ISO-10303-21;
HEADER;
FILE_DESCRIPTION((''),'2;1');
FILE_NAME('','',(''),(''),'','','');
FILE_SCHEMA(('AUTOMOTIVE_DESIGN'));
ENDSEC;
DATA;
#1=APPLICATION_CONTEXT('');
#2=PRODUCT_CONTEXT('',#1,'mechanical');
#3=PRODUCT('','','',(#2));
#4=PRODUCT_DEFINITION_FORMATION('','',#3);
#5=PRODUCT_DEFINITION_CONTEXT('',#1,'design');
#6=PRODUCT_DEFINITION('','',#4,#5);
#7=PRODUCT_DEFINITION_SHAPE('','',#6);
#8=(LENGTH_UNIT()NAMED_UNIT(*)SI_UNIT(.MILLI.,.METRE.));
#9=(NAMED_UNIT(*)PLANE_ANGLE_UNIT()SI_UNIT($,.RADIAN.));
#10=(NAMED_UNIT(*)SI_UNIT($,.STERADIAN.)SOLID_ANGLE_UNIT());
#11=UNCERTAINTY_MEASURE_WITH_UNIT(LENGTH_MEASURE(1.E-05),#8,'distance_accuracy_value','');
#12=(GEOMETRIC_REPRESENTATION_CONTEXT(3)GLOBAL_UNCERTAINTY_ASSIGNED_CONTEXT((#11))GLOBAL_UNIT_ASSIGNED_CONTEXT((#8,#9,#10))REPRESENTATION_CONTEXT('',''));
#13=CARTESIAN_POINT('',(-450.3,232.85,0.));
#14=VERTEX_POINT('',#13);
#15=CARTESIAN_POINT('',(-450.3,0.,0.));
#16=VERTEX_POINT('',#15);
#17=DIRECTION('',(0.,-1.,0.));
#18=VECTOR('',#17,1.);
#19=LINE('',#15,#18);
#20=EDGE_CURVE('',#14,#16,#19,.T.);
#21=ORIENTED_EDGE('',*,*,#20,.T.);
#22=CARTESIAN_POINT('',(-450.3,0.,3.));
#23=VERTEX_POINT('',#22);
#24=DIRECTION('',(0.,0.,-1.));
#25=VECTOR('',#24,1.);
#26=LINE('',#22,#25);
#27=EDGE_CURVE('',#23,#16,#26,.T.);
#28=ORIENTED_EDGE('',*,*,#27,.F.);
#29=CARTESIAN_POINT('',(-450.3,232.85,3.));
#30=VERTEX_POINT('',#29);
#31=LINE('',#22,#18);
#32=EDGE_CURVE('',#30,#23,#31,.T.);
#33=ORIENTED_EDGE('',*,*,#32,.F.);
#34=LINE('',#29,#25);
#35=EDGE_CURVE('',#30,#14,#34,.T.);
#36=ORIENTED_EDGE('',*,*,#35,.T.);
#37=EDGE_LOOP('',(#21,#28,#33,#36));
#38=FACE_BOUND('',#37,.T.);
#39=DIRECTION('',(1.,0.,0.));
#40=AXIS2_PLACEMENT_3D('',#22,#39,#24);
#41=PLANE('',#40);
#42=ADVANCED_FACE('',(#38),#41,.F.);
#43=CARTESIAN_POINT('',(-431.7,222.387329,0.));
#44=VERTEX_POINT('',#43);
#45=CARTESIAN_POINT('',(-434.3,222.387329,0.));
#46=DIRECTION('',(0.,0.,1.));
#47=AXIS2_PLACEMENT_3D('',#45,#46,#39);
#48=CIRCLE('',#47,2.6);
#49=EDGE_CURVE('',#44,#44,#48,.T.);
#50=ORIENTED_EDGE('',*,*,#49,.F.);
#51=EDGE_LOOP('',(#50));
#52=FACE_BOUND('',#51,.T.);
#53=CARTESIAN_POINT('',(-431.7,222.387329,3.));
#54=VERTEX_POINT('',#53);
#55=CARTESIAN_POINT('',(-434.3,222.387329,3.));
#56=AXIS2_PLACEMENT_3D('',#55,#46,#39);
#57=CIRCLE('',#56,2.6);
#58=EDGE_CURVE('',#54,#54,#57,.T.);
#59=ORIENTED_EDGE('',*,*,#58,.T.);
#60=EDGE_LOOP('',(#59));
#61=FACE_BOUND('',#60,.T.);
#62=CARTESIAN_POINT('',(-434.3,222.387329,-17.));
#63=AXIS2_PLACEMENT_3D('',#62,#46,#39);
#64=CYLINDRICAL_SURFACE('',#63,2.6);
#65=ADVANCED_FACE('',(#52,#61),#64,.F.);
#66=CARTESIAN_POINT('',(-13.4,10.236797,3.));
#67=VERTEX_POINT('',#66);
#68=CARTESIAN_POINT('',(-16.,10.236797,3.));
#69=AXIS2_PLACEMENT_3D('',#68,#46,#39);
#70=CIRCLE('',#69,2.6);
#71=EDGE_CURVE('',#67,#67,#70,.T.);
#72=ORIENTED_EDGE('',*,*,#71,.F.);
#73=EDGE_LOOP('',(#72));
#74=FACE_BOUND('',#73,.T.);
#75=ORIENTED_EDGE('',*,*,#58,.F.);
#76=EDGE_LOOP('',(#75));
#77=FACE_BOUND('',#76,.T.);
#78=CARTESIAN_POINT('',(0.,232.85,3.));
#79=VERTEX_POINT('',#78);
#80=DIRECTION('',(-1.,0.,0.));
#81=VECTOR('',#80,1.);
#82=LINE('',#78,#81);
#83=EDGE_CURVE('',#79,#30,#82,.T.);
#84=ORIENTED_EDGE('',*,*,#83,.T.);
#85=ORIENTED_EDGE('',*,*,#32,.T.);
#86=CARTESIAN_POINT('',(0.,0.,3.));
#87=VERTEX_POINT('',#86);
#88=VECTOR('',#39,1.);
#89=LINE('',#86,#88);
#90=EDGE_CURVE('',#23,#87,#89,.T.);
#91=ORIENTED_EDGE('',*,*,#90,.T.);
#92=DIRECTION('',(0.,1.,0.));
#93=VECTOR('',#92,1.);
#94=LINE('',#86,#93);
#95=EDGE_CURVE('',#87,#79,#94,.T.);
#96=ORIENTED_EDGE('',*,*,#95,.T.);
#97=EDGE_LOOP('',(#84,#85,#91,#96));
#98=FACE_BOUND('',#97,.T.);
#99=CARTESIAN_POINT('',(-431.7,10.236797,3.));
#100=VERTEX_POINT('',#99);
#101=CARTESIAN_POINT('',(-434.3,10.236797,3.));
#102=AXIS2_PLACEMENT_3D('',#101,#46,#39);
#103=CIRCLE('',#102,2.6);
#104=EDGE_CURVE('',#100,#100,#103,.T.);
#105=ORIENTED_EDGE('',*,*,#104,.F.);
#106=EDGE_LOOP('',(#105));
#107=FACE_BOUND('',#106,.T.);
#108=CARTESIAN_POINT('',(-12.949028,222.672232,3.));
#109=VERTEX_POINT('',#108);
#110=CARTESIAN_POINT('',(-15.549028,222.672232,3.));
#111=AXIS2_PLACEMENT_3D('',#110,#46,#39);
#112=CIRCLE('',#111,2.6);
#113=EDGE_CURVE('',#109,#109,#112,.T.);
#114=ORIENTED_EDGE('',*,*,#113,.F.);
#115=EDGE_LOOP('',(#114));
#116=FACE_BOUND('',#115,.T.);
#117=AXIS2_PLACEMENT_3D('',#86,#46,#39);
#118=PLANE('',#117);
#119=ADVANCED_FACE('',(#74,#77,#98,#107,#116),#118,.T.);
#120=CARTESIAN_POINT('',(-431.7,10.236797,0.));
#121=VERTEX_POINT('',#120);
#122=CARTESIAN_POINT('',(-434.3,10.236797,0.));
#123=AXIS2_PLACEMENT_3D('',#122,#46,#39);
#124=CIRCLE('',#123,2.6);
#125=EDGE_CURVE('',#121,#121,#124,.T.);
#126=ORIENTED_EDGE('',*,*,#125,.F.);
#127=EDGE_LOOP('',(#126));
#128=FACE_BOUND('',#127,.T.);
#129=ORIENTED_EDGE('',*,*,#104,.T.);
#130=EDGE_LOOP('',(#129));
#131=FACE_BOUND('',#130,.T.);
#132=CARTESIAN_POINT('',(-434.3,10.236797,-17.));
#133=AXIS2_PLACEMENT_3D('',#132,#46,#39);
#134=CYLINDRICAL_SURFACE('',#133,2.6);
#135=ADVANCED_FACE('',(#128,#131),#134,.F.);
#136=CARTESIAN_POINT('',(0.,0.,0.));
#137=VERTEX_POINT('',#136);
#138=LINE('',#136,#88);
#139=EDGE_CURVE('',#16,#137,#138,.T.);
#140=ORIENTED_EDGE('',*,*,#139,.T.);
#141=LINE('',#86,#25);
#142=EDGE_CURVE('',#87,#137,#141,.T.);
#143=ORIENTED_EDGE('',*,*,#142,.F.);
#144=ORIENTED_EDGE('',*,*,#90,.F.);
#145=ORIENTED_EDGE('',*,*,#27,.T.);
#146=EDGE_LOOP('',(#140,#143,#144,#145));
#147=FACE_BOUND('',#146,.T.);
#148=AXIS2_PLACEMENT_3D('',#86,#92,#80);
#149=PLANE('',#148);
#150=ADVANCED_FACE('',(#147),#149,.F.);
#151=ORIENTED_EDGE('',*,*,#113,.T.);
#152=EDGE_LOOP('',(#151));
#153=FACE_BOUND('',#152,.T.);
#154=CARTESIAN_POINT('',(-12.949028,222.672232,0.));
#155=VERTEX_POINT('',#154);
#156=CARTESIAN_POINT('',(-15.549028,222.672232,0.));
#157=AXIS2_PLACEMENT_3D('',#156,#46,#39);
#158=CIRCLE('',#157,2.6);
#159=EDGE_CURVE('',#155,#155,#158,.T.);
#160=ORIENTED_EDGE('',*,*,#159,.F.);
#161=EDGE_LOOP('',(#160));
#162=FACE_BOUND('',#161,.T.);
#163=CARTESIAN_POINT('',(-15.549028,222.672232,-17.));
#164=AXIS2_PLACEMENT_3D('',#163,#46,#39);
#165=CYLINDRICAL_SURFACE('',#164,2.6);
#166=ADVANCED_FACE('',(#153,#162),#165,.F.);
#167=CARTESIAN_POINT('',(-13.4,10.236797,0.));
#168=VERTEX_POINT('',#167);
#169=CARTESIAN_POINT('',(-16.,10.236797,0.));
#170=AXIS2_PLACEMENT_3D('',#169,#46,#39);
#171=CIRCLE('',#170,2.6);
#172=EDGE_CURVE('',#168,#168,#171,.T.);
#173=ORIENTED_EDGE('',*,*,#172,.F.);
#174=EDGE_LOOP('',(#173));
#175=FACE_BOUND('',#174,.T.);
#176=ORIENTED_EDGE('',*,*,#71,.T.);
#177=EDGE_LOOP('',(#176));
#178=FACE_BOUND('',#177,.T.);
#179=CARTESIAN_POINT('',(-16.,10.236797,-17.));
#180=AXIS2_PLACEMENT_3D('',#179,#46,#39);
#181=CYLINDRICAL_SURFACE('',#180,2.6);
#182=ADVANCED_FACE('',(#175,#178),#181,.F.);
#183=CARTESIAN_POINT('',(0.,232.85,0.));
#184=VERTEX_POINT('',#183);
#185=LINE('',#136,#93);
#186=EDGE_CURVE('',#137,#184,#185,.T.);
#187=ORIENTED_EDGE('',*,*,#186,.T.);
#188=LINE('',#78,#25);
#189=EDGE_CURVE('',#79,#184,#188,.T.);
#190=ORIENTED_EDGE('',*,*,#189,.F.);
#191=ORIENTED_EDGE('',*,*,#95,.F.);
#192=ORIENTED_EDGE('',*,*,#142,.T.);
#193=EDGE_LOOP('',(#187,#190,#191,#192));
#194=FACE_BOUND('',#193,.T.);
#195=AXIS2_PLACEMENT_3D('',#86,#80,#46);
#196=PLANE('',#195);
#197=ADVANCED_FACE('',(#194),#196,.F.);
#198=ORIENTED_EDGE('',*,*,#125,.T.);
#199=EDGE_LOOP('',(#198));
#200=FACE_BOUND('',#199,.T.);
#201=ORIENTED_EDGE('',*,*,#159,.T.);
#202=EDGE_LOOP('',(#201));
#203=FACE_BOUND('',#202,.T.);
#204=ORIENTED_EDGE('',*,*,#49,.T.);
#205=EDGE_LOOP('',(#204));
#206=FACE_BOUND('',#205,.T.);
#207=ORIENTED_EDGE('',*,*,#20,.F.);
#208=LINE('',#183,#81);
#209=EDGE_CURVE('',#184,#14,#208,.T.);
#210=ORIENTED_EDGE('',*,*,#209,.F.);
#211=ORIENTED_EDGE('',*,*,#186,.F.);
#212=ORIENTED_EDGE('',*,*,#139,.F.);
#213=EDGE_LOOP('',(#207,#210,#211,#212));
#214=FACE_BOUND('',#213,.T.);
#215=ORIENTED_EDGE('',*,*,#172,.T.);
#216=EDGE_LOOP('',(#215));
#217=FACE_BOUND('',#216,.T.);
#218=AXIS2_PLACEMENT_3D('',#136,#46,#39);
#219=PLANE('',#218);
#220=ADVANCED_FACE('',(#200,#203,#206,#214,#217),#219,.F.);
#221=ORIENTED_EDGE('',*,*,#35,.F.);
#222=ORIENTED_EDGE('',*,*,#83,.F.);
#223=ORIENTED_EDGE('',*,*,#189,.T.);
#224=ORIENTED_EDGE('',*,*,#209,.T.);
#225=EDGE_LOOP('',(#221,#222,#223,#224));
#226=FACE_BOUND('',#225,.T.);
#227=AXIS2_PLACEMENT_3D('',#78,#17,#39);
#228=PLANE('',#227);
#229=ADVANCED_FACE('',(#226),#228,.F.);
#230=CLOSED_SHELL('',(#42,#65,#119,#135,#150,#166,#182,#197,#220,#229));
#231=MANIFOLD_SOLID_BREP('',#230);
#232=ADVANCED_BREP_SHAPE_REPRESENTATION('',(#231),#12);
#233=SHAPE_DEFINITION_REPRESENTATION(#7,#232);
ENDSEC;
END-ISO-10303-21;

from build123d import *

# Parameters (mm, degrees)
ESQUISSE1_W             = 450.3
ESQUISSE1_H             = 232.85
BOSS_EXTRU_1_DEPTH      = 3
ESQUISSE2_R             = 2.6
ENL_V_MAT_EXTRU_1_DEPTH = 20


with BuildPart() as part:
    # Esquisse1 → Boss.-Extru.1 (new body)
    with BuildSketch(Plane.XY):
        with Locations((-225.15, 116.425)):
            Rectangle(ESQUISSE1_W, ESQUISSE1_H)
    extrude(amount=BOSS_EXTRU_1_DEPTH)

    # Esquisse2 → Enlèv. mat.-Extru.1 (cut)
    with BuildSketch(Plane.XY.offset(3)):
        with Locations((-434.3, 10.236797306)):
            Circle(ESQUISSE2_R)
        with Locations((-16, 10.236797306)):
            Circle(ESQUISSE2_R)
        with Locations((-15.549028202, 222.672231983)):
            Circle(ESQUISSE2_R)
        with Locations((-434.3, 222.387328548)):
            Circle(ESQUISSE2_R)
    extrude(amount=-ENL_V_MAT_EXTRU_1_DEPTH, mode=Mode.SUBTRACT)


solid = part.part
